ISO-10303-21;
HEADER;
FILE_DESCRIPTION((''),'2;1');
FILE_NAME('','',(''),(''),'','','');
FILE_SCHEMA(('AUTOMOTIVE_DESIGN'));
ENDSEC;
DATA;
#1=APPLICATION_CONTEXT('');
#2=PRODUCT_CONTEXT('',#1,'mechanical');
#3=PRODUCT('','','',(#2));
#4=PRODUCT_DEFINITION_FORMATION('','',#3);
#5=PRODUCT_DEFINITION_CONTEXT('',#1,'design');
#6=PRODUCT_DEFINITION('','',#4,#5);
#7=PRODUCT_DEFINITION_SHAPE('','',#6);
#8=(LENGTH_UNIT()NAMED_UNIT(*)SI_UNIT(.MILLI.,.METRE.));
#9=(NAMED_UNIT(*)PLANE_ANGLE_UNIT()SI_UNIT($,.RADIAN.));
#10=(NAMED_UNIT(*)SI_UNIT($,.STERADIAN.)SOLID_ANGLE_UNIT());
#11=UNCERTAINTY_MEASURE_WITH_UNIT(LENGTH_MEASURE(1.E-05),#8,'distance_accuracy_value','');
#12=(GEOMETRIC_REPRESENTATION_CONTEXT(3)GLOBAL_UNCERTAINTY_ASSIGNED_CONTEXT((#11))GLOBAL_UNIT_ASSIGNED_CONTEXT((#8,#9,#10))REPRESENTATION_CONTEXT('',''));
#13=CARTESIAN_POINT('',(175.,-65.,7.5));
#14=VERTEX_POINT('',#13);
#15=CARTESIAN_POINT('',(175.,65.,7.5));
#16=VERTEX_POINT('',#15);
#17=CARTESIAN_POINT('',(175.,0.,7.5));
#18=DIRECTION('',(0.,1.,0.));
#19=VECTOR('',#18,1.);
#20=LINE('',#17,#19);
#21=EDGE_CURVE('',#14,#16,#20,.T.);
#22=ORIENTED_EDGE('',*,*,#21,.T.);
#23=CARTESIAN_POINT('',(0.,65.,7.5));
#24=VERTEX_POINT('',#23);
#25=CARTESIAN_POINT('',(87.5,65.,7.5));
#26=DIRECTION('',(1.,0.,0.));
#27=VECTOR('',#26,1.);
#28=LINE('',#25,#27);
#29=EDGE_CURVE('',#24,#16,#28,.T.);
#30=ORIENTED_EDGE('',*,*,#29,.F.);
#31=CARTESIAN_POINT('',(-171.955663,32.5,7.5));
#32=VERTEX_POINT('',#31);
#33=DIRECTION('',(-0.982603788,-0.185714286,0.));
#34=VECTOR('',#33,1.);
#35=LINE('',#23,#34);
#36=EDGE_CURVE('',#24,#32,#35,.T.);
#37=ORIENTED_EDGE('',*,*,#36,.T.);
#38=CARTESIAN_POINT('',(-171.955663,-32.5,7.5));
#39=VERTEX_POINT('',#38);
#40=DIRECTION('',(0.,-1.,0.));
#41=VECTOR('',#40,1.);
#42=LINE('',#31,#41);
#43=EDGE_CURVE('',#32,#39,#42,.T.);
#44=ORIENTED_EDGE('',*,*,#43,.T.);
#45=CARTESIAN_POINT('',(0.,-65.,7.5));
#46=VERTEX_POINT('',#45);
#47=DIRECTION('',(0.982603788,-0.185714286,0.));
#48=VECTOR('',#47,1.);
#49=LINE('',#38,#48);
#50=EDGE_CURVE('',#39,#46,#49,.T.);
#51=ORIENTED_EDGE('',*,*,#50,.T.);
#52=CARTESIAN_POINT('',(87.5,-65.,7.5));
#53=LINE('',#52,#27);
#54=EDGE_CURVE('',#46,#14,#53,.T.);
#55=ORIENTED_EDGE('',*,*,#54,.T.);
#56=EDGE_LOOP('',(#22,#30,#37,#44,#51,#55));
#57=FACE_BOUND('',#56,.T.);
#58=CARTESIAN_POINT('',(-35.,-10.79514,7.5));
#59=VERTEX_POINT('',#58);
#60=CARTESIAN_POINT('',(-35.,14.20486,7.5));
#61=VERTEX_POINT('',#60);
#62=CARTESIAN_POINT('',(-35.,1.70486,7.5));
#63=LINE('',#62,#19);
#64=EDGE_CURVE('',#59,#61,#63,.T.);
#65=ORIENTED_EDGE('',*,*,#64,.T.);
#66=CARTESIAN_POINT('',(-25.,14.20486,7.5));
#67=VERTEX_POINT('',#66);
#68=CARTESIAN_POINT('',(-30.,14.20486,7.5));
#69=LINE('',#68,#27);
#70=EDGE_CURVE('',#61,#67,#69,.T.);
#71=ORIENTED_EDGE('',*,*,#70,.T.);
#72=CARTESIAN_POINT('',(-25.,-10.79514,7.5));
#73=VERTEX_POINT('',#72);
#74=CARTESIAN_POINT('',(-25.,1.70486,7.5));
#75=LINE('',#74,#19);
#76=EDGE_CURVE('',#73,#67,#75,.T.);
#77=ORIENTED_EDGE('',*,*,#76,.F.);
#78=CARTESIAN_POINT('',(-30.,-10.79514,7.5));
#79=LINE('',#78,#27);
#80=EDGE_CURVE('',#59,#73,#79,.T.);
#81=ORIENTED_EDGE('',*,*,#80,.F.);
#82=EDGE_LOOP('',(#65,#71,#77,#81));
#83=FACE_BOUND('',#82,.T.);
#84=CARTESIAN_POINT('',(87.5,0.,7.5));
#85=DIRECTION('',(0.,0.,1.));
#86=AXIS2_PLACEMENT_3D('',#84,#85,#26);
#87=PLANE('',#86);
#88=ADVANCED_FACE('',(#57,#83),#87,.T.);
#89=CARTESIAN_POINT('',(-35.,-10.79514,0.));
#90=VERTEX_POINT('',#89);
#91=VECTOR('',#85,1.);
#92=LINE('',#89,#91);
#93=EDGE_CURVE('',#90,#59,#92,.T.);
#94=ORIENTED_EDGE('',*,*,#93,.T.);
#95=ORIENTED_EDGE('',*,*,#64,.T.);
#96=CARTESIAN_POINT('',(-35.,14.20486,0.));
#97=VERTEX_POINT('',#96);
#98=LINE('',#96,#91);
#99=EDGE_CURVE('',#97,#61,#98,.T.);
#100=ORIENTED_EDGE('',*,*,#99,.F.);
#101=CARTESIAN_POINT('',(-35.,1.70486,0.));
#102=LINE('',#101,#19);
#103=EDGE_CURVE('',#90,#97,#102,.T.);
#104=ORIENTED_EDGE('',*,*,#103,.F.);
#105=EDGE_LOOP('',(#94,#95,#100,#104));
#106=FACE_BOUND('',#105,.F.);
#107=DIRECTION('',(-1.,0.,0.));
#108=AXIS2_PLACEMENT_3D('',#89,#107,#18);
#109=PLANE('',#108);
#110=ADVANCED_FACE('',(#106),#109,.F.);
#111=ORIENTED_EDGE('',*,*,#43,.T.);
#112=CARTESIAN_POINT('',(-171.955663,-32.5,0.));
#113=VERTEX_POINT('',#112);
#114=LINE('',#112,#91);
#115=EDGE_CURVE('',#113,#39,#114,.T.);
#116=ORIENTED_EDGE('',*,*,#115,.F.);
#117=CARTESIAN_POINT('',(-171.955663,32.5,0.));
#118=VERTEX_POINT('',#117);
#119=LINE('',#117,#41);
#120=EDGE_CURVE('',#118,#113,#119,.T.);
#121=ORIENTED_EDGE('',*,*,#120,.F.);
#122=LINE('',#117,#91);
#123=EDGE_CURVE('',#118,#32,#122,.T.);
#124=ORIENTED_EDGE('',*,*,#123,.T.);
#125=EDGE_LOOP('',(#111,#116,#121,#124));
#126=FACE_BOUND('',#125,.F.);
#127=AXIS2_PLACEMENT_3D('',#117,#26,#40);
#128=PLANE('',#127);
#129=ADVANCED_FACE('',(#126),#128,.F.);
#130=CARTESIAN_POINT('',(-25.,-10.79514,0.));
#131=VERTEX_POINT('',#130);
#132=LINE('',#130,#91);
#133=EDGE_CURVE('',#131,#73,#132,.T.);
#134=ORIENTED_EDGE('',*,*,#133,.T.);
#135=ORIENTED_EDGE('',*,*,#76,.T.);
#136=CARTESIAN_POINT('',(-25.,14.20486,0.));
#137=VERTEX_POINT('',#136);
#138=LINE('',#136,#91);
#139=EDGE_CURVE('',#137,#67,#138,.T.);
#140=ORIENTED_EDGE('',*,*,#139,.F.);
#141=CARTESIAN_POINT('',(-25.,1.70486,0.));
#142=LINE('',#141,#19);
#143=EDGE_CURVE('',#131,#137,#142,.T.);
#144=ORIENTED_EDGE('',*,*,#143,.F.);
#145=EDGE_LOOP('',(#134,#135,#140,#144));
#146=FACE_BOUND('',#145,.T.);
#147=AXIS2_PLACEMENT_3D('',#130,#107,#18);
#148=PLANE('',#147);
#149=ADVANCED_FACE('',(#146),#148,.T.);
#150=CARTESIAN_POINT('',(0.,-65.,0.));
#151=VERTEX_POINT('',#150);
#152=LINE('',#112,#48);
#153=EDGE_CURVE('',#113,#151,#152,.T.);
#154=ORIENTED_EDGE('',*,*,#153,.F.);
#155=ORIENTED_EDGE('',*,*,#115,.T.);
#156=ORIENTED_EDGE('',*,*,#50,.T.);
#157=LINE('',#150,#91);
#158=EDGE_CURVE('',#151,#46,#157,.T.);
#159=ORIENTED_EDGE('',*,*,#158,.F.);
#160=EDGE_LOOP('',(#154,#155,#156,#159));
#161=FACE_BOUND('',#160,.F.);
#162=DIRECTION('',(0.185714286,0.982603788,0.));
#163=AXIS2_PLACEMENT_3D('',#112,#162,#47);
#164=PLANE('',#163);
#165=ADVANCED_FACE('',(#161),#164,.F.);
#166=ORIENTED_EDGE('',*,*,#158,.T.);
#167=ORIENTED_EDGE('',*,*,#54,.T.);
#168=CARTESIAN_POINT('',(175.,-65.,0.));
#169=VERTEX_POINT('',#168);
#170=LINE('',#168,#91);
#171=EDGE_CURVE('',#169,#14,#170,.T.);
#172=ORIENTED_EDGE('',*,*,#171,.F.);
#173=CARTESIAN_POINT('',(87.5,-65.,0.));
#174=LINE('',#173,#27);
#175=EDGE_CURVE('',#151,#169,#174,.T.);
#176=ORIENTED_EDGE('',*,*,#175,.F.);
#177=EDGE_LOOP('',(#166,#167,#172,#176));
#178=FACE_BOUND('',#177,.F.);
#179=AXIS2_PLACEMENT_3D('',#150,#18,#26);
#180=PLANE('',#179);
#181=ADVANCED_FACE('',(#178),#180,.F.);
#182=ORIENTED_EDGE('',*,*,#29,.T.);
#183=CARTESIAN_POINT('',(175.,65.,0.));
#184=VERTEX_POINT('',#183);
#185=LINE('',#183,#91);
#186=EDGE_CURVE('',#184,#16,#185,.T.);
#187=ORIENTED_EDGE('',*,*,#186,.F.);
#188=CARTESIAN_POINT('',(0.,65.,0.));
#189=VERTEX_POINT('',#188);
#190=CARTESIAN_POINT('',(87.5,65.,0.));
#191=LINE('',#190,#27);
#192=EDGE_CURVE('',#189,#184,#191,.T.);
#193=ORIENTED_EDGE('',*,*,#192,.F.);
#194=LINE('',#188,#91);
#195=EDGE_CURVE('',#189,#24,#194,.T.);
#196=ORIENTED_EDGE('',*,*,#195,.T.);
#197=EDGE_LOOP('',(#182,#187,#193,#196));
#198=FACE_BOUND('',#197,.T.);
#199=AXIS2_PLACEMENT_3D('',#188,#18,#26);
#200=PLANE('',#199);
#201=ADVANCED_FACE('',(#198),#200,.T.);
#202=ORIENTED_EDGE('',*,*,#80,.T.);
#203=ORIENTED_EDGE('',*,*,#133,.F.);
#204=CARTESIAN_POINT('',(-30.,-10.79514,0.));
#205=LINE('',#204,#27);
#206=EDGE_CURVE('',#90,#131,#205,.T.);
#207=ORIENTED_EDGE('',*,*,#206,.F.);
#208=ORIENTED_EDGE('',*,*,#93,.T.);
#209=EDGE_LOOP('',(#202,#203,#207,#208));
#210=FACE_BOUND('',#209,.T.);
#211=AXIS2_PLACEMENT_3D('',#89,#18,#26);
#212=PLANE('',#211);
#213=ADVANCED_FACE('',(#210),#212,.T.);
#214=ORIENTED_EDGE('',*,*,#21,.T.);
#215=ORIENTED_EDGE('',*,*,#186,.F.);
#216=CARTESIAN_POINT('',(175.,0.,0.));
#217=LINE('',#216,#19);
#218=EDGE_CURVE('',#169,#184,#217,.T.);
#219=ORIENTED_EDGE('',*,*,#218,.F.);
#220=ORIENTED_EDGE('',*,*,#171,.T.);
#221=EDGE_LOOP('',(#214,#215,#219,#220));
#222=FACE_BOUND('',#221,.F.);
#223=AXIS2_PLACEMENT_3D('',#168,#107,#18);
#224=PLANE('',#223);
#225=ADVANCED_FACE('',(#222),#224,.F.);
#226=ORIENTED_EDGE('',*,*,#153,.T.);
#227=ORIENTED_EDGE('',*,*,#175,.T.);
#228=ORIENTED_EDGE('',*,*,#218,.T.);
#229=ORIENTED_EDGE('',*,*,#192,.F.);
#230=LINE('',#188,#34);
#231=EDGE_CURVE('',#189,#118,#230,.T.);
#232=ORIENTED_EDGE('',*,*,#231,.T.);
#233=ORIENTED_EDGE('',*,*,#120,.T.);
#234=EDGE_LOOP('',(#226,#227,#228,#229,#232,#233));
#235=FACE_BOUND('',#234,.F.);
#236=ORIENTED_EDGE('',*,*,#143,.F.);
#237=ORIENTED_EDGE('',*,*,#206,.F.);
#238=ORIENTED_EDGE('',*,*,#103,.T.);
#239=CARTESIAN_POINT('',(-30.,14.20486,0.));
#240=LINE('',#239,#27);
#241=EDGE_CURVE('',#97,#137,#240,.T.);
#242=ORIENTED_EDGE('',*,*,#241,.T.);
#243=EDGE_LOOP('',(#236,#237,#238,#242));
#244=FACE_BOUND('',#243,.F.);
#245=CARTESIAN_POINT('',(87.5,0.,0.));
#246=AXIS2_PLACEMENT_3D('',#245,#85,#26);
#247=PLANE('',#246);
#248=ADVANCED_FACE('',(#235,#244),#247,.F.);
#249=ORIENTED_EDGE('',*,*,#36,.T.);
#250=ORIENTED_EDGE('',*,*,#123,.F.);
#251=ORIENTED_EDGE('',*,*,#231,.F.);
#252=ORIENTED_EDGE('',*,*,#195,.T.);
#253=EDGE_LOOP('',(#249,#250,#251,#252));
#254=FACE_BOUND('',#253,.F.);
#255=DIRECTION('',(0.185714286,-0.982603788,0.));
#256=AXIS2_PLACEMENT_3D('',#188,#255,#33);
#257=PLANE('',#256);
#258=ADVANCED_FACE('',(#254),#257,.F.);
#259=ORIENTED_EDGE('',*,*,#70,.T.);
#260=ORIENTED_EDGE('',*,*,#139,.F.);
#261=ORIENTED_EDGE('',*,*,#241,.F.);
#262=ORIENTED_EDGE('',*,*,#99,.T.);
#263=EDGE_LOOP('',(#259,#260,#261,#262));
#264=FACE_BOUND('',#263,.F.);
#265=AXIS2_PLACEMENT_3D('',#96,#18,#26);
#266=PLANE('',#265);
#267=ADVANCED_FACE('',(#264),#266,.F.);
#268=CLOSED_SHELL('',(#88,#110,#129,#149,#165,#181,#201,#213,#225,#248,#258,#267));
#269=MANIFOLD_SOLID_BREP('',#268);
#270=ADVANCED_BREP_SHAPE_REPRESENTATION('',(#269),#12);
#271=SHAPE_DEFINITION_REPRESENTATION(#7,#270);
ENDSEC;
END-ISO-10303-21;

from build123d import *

# Parameters (mm, degrees)
F0_W     = 175
F0_H     = 130
F1_DEPTH = 7.5
F2_W     = 10
F2_H     = 25
F3_DEPTH = 7.5


with BuildPart() as f1:
    # F0 (on Top) → F1 (new body)
    with BuildSketch(Plane.XY):
        with Locations((87.5, 0)):
            Rectangle(F0_W, F0_H)
        Polygon((0, -65), (0, 65), (-171.955663, 32.5), (-171.955663, -32.5), align=None)
    extrude(amount=F1_DEPTH)

    # F2 (on Top) → F3 (cut)
    with BuildSketch(Plane.XY):
        with Locations((-30, 1.70486)):
            Rectangle(F2_W, F2_H)
    extrude(amount=F3_DEPTH, mode=Mode.SUBTRACT)


solid = f1.part
